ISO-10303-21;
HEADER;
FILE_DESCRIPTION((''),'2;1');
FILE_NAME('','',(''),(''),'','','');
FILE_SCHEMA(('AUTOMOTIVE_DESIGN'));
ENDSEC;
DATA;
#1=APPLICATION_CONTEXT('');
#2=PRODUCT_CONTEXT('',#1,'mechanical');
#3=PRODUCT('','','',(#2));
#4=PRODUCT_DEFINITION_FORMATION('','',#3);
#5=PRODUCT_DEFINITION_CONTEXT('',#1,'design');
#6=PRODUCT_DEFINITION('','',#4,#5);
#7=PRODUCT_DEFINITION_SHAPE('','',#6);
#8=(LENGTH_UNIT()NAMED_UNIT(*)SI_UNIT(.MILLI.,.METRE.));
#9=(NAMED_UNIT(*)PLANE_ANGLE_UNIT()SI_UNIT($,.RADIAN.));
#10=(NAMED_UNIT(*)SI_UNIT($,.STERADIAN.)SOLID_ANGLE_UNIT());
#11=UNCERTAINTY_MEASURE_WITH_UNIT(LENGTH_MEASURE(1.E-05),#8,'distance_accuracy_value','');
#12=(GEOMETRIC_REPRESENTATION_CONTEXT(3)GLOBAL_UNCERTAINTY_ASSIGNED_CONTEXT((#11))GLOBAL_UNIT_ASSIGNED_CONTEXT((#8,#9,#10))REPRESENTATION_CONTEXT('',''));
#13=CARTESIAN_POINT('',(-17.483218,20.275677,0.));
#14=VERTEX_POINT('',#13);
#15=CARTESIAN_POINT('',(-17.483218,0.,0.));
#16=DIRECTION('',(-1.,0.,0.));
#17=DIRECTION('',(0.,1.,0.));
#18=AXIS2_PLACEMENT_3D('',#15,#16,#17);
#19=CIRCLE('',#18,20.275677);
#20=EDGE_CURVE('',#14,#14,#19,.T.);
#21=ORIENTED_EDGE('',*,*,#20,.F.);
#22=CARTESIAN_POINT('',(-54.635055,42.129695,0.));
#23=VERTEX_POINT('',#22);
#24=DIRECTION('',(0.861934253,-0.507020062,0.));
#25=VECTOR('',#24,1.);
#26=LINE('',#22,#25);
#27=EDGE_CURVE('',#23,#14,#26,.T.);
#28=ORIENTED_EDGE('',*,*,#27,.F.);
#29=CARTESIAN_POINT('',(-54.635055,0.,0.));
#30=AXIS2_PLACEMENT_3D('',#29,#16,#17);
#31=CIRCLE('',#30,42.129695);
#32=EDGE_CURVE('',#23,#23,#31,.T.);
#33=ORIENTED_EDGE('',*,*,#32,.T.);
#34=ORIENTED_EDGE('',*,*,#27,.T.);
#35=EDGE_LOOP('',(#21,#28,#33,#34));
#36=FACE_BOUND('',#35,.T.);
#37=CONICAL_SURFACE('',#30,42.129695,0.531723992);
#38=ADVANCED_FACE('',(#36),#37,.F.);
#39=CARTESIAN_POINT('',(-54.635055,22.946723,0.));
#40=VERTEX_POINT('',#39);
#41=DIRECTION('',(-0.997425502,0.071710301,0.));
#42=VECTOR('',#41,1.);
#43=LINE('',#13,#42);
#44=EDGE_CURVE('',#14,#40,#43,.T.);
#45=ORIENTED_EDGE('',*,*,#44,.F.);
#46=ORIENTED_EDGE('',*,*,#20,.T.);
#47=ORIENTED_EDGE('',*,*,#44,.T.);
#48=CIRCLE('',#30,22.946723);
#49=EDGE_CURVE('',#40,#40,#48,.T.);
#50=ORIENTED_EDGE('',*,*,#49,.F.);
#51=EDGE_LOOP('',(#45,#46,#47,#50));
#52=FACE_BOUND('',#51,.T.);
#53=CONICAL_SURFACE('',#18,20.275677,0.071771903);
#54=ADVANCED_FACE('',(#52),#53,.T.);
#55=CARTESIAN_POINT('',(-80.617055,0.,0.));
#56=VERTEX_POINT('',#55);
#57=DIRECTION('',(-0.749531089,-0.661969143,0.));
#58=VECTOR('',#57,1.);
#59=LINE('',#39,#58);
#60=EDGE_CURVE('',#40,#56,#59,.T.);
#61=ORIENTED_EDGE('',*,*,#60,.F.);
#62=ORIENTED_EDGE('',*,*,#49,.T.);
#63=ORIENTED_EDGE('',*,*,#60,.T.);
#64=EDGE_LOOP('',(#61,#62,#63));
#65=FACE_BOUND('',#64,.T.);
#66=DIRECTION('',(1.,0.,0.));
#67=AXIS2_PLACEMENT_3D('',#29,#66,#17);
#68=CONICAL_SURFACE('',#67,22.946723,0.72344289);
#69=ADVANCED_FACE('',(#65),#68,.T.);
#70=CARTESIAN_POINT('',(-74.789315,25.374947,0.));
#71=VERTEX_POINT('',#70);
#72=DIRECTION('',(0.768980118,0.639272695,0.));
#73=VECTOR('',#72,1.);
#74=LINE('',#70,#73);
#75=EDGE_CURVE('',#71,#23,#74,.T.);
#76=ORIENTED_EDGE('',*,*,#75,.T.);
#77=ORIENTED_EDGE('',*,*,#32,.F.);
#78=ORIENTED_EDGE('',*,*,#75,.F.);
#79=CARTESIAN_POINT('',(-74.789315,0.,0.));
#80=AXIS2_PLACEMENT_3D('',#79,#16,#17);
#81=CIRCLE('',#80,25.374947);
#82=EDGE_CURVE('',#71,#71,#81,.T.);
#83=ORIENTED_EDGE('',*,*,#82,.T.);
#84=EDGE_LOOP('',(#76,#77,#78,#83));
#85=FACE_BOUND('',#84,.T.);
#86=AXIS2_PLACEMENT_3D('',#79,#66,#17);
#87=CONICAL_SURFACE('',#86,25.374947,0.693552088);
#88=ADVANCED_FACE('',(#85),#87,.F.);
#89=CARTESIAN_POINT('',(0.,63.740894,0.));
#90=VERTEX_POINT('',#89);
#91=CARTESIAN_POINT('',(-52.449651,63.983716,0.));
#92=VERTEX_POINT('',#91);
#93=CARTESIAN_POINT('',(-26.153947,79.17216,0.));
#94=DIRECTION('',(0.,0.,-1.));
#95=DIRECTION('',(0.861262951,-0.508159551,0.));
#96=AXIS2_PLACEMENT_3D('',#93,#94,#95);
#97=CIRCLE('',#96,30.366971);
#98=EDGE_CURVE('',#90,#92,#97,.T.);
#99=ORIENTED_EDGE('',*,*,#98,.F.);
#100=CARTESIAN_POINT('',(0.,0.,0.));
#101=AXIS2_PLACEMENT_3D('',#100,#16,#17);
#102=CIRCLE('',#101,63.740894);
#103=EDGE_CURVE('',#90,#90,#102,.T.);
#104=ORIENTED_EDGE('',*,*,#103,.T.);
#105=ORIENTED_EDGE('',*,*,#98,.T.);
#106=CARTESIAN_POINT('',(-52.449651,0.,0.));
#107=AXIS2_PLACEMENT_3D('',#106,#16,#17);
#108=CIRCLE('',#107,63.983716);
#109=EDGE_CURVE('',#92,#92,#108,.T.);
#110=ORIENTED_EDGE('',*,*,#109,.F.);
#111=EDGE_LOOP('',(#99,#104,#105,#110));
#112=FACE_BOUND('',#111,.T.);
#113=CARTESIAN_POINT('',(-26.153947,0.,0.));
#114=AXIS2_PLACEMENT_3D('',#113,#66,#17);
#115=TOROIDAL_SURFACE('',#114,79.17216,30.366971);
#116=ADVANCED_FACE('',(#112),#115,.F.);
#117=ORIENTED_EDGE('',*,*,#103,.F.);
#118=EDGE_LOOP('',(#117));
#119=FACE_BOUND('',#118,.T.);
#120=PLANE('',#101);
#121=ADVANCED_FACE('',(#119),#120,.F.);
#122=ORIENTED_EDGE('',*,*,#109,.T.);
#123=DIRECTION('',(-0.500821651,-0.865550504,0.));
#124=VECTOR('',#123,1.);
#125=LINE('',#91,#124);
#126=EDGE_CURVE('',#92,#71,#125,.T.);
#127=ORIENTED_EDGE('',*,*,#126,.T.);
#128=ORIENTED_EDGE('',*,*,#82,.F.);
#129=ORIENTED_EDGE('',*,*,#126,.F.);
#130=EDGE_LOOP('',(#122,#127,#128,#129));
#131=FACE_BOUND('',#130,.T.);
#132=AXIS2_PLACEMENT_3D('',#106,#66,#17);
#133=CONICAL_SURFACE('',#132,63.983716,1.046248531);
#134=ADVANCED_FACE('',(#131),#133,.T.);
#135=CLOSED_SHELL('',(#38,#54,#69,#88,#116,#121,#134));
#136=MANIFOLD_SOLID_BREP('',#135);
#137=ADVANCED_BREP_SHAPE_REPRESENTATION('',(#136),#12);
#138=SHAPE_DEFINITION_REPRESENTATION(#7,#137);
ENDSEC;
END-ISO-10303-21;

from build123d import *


with BuildPart() as f1:
    # F0 (on Top) → F1 (revolve)
    with BuildSketch(Plane.XY):
        with BuildLine():
            Line((-80.617055, 0), (0, 0))
            Line((0, 0), (0, 63.740894))
            ThreePointArc((0, 63.740894), (-26.294533, 48.805515), (-52.449651, 63.983716))
            Line((-52.449651, 63.983716), (-74.789315, 25.374947))
            Line((-74.789315, 25.374947), (-54.635055, 42.129695))
            Line((-54.635055, 42.129695), (-17.483218, 20.275677))
            Line((-17.483218, 20.275677), (-54.635055, 22.946723))
            Line((-54.635055, 22.946723), (-80.617055, 0))
        make_face()
    revolve(axis=Axis((-40.308528, 0, 0), (-1, 0, 0)))


solid = f1.part
